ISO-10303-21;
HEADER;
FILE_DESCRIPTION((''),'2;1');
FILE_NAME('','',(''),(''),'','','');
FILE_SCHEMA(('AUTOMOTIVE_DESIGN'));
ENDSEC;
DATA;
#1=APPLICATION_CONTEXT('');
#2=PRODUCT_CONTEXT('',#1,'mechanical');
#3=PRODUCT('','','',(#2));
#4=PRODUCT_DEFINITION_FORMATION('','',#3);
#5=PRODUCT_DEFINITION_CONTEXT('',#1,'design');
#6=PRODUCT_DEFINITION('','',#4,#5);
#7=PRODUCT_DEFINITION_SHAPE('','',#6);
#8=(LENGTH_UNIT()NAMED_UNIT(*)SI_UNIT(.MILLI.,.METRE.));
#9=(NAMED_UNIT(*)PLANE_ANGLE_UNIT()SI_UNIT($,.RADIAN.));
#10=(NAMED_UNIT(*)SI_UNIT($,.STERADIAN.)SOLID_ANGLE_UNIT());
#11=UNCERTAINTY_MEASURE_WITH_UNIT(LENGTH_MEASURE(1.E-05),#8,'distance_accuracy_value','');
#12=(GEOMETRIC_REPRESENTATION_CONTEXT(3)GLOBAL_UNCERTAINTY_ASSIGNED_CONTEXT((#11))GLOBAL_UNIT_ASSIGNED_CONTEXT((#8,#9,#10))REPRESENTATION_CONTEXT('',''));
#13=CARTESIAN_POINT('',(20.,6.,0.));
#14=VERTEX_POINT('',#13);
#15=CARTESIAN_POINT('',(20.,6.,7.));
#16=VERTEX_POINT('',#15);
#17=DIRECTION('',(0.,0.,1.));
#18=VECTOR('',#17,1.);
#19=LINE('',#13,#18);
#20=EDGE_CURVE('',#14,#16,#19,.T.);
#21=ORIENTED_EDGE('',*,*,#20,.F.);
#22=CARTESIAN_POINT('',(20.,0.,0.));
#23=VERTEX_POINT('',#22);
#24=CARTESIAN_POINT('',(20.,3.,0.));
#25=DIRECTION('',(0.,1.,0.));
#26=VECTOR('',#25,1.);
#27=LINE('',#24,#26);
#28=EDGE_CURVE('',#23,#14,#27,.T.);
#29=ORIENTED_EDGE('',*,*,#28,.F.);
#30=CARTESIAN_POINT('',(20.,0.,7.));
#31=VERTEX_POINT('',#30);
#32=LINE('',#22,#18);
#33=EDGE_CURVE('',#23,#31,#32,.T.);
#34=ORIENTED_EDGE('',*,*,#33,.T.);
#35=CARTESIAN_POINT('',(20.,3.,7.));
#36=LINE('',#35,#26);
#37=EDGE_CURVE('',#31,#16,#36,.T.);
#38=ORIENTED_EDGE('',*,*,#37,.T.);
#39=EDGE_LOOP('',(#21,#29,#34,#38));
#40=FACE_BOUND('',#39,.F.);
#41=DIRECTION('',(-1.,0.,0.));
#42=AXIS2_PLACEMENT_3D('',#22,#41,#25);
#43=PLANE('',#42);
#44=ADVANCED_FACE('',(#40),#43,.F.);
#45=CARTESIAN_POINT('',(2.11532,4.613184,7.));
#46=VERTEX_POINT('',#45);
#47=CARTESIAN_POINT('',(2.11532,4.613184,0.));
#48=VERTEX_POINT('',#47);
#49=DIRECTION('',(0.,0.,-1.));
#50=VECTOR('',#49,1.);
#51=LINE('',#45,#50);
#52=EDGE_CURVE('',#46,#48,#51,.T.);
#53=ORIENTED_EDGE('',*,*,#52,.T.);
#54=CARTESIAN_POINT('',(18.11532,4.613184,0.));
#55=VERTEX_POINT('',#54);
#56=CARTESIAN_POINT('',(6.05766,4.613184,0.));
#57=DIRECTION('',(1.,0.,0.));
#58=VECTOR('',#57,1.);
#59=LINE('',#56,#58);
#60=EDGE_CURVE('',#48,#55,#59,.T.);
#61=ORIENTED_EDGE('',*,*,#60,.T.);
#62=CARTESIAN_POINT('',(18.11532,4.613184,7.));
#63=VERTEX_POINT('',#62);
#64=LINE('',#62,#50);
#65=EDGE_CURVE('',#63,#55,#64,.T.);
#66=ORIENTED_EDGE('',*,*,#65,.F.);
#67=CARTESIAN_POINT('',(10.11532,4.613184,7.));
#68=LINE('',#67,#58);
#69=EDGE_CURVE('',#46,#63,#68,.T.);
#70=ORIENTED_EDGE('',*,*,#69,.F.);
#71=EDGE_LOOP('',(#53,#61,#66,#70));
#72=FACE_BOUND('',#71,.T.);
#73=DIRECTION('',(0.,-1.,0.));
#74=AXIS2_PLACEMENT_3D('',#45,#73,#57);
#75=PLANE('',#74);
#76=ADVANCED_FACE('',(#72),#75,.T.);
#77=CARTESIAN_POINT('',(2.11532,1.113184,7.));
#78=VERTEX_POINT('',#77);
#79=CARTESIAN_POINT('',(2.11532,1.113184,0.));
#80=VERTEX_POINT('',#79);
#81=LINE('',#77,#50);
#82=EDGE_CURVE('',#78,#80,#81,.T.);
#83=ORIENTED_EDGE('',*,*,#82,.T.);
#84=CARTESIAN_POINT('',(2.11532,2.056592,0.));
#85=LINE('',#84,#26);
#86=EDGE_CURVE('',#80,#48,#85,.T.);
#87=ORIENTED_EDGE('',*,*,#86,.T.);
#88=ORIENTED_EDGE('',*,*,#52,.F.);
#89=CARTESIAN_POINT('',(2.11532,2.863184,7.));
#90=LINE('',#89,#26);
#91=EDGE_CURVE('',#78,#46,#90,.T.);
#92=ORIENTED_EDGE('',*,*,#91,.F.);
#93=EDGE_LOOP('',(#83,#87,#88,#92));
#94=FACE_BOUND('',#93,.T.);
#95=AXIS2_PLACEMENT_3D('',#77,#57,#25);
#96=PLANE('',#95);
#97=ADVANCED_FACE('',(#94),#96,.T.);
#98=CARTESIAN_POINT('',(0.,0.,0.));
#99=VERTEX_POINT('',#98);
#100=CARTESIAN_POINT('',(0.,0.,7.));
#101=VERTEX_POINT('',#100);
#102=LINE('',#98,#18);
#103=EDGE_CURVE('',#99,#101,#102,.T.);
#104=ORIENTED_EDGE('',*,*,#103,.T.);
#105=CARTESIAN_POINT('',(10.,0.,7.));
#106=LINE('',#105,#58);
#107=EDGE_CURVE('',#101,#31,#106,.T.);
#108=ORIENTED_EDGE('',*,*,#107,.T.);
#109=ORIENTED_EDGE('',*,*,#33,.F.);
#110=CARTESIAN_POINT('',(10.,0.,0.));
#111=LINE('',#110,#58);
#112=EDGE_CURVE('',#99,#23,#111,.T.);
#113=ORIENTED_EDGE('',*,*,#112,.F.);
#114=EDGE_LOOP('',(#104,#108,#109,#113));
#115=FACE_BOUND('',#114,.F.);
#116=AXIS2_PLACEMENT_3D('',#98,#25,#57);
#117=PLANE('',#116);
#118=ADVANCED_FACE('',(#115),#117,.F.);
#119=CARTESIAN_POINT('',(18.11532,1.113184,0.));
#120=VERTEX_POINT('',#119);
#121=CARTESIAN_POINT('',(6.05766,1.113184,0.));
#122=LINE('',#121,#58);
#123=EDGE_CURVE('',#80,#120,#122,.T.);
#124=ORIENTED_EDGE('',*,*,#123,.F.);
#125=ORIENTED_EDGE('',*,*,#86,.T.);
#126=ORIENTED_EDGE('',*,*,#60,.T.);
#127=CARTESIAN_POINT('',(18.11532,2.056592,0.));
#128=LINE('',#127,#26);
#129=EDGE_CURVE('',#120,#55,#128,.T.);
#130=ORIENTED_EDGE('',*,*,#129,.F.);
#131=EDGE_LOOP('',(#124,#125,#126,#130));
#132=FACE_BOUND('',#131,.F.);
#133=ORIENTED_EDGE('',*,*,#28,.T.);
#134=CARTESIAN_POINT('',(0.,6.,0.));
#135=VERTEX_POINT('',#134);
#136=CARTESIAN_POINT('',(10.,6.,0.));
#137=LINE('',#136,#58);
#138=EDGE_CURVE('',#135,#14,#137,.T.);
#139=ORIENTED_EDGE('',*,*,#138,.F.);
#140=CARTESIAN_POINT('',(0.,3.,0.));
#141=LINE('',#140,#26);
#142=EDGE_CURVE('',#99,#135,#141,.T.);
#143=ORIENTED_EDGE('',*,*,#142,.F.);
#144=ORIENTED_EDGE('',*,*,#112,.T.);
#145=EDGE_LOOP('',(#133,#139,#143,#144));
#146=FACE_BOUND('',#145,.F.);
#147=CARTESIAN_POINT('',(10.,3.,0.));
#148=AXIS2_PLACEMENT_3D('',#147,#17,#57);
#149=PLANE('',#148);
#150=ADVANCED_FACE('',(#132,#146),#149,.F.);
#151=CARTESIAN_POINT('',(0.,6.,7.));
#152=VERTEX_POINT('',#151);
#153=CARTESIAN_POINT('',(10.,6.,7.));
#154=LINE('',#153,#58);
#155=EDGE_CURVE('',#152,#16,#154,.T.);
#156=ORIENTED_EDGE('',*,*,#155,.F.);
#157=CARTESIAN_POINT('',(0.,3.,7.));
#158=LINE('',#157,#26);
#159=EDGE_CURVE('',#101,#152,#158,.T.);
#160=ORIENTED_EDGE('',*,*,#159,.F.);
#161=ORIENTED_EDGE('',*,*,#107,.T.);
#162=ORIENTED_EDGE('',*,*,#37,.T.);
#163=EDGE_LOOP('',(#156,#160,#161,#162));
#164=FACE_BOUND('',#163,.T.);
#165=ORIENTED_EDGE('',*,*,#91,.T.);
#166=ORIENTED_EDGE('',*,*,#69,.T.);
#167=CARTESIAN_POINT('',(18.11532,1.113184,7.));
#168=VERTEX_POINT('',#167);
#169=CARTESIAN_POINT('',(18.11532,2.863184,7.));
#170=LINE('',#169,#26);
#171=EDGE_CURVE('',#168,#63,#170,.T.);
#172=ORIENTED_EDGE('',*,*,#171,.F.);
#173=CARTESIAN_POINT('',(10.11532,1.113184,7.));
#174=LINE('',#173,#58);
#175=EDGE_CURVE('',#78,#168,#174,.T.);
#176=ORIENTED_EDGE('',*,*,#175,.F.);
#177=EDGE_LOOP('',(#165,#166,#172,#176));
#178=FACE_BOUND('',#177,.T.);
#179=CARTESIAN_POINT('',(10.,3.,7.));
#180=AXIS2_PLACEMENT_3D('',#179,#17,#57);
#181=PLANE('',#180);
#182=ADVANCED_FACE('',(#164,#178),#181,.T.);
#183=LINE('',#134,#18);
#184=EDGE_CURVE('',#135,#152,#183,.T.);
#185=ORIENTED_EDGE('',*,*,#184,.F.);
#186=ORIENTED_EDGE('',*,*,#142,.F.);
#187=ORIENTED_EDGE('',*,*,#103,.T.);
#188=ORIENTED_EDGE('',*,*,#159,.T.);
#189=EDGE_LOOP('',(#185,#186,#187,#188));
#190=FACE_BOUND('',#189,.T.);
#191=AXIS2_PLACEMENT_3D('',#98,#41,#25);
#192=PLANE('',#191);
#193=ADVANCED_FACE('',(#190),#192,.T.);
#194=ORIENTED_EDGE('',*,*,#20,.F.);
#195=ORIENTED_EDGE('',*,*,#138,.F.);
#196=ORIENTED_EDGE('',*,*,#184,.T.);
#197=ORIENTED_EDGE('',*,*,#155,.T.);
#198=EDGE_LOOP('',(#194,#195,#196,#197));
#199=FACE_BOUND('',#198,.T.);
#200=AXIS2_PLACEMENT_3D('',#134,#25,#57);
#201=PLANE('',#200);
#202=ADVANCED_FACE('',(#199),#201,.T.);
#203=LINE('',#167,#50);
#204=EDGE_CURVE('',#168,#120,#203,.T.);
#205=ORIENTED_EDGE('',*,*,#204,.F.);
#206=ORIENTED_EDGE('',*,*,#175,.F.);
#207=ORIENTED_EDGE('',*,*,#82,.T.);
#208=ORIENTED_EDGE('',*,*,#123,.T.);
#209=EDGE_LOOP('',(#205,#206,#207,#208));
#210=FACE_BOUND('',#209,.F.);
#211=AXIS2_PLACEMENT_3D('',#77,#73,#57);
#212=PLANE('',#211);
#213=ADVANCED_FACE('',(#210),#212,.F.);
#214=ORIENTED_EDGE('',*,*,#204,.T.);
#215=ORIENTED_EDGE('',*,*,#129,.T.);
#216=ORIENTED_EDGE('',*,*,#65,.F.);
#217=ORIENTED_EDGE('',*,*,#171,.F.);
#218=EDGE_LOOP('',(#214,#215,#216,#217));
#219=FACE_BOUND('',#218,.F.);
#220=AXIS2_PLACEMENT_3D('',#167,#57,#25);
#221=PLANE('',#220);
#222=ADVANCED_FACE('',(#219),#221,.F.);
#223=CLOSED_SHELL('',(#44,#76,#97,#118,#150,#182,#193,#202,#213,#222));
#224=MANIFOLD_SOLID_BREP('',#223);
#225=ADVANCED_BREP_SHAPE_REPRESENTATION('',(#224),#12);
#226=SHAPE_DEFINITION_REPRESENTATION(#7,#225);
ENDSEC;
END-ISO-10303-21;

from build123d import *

# Parameters (mm, degrees)
BOX_W        = 20
BOX_H        = 6
BOX_DEPTH    = 7
SKETCH_W     = 16
SKETCH_H     = 3.5
POCKET_DEPTH = 9


with BuildPart() as part:
    # Box → Box (new body)
    with BuildSketch(Plane.XY):
        with Locations((10, 3)):
            Rectangle(BOX_W, BOX_H)
    extrude(amount=BOX_DEPTH)

    # Sketch (on Face6 of BaseFeature) → Pocket (cut)
    with BuildSketch(Plane.XY.offset(7)):
        with Locations((10.11532, 2.863184)):
            Rectangle(SKETCH_W, SKETCH_H)
    extrude(amount=-POCKET_DEPTH, mode=Mode.SUBTRACT)


solid = part.part
